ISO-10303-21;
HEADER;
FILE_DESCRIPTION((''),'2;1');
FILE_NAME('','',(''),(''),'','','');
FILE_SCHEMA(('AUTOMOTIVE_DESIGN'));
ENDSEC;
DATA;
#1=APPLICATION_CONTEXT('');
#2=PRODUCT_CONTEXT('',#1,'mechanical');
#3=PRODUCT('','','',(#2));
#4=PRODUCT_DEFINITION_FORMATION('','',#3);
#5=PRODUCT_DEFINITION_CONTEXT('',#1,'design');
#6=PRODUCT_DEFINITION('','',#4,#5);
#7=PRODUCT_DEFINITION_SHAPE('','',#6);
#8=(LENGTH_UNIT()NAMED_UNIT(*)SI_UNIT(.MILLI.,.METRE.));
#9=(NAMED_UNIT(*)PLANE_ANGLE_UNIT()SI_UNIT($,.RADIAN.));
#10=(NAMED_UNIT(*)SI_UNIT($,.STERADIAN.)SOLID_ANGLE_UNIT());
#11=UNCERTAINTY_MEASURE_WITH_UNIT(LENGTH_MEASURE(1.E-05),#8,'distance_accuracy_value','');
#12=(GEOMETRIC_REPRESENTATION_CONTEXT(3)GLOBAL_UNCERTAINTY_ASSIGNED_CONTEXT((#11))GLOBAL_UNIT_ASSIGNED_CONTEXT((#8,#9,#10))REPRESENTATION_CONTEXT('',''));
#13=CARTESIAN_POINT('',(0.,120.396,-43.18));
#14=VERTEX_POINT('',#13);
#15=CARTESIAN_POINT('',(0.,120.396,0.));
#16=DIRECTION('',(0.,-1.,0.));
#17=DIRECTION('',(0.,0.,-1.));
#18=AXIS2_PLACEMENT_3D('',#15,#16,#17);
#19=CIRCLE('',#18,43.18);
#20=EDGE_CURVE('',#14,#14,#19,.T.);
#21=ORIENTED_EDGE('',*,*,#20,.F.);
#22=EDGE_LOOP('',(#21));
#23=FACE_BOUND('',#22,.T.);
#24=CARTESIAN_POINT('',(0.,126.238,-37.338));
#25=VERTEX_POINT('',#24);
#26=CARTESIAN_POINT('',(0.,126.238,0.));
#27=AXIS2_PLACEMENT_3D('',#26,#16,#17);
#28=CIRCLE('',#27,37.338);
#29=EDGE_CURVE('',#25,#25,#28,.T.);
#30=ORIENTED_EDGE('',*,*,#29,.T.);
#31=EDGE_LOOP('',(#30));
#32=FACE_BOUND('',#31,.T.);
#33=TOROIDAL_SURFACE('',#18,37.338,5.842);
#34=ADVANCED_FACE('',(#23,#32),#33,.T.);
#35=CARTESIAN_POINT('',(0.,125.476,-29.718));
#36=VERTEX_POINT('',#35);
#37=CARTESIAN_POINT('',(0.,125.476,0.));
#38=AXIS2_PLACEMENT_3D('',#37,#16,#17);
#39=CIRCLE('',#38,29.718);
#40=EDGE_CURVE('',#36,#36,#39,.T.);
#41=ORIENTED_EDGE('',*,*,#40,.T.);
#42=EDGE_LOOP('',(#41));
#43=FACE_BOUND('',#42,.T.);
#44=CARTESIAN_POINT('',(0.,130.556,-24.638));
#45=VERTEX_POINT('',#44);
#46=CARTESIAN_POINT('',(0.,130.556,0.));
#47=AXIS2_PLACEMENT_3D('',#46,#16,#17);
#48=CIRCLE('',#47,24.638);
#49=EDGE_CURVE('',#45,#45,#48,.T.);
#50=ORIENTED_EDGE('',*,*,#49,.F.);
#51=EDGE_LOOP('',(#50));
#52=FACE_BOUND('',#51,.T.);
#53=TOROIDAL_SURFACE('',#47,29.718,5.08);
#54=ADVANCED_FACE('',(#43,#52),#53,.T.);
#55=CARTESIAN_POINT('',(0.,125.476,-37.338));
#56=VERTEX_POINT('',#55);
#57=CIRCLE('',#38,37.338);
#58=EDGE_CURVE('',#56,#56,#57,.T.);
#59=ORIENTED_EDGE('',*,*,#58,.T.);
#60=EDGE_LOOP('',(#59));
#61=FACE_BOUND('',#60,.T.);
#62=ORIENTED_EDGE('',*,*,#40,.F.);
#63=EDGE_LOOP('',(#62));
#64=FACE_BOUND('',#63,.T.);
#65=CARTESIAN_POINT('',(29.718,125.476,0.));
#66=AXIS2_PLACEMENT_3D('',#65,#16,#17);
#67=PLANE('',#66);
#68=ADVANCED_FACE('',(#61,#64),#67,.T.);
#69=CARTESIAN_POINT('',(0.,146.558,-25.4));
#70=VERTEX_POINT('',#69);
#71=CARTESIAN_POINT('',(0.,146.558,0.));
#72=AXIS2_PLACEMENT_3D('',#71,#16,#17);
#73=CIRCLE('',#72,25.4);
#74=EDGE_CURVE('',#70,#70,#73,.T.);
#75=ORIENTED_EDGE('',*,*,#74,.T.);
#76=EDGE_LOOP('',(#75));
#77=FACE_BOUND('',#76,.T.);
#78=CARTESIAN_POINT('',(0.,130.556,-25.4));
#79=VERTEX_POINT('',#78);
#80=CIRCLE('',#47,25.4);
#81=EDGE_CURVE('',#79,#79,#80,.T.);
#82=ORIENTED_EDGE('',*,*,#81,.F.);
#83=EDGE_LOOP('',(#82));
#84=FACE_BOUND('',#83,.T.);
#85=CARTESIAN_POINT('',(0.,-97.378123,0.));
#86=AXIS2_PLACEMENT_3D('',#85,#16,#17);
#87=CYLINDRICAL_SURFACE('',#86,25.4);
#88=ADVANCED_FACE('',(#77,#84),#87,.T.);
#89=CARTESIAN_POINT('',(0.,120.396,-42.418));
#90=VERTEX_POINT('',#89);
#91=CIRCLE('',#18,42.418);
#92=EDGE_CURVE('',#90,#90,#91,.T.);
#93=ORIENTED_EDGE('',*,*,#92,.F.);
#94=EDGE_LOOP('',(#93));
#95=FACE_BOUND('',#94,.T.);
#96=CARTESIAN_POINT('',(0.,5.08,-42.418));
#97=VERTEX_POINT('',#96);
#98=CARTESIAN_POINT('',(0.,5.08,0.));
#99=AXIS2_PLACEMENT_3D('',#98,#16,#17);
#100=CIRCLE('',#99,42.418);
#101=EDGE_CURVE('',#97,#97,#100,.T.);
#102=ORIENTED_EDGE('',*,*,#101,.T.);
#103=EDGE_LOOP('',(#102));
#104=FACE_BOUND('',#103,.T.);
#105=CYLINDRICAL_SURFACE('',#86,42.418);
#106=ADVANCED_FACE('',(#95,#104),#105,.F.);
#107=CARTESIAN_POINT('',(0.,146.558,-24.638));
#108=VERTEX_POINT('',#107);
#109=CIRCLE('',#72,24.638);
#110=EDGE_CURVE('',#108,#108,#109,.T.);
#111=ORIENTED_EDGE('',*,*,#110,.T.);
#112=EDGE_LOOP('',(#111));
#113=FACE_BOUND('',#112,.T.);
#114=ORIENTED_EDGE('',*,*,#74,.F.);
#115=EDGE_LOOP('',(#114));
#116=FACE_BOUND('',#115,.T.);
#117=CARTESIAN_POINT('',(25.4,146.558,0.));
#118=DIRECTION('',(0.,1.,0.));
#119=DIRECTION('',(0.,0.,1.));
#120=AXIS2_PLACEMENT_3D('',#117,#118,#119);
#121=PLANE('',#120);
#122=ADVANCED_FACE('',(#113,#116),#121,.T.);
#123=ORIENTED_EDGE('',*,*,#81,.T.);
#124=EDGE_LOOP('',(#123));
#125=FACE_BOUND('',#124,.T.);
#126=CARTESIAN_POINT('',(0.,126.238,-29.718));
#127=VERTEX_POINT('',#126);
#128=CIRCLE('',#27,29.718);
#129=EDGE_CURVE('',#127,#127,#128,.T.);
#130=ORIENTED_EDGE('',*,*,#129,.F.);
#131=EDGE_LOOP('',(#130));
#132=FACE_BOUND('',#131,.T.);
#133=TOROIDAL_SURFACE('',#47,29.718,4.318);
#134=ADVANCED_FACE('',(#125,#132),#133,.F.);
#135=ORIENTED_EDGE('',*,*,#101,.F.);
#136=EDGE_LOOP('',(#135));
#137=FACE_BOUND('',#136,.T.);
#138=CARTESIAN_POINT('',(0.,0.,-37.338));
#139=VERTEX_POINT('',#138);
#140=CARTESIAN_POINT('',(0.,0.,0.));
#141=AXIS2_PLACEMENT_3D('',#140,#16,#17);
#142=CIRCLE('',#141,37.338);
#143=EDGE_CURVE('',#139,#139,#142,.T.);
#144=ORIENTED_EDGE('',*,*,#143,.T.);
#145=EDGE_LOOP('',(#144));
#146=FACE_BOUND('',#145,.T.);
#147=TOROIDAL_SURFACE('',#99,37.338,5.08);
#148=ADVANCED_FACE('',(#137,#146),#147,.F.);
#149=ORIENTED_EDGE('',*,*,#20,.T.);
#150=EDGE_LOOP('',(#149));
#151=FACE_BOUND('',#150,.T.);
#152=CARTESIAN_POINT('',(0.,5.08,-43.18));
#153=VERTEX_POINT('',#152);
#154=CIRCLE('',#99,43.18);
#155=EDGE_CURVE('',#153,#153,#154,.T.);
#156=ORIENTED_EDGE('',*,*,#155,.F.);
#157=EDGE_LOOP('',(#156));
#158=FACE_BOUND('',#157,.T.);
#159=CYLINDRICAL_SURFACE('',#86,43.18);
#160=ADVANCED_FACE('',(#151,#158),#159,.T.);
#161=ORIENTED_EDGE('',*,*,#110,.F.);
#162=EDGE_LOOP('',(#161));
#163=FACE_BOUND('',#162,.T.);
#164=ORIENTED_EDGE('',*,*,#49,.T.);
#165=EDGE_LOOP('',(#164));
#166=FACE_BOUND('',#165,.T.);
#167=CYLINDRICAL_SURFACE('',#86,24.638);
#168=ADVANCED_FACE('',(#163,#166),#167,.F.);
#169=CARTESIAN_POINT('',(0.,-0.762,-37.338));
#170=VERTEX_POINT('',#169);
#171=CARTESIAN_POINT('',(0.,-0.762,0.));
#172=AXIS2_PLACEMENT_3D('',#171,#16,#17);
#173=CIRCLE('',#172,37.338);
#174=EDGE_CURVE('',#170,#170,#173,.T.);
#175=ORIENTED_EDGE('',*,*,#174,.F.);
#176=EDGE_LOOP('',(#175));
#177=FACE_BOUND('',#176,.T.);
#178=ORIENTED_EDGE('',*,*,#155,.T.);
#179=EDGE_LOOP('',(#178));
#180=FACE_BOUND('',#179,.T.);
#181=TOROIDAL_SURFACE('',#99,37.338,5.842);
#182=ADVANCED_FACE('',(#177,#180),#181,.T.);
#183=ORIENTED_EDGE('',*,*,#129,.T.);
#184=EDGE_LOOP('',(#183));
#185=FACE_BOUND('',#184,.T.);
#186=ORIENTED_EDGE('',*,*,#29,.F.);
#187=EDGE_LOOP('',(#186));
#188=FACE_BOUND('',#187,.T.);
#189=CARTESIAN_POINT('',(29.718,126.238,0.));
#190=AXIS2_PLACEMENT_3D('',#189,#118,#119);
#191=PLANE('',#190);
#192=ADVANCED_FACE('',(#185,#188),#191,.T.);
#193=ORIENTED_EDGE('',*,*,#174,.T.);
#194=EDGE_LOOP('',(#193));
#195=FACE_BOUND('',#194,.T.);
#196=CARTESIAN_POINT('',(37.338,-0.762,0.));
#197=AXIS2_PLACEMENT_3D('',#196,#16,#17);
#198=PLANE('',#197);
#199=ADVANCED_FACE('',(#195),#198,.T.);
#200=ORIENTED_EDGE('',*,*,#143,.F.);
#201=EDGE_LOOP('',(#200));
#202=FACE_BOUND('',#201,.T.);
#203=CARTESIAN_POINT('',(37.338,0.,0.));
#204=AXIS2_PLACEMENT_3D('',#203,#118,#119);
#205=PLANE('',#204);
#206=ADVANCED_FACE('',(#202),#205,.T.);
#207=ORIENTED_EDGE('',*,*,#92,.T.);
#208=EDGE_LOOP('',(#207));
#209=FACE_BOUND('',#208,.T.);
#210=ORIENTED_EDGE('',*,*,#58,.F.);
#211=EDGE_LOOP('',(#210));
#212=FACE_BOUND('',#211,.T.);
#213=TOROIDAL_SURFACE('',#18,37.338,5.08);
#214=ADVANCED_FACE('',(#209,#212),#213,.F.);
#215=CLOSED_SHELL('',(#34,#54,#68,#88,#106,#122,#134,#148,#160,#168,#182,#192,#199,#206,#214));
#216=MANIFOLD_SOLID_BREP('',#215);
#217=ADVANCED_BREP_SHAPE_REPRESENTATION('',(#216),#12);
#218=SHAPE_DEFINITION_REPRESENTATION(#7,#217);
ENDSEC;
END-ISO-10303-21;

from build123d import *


with BuildPart() as part:
    # Sketch2 → Revolve1 (revolve)
    with BuildSketch(Plane.XY, mode=Mode.PRIVATE) as revolve1_sk:
        with BuildLine():
            Line((24.638, 146.558), (24.638, 130.556))
            ThreePointArc((24.638, 130.556), (26.125897552, 126.963897552), (29.718, 125.476))
            Line((29.718, 125.476), (37.338, 125.476))
            ThreePointArc((37.338, 125.476), (40.930102448, 123.988102448), (42.418, 120.396))
            Line((42.418, 120.396), (42.418, 5.08))
            ThreePointArc((42.418, 5.08), (40.930102448, 1.487897552), (37.338, 0))
            Line((37.338, 0), (0, 0))
            Line((0, 0), (0, -0.762))
            Line((0, -0.762), (37.338, -0.762))
            ThreePointArc((37.338, -0.762), (41.468917816, 0.949082184), (43.18, 5.08))
            Line((43.18, 5.08), (43.18, 120.396))
            ThreePointArc((43.18, 120.396), (41.468917816, 124.526917816), (37.338, 126.238))
            Line((37.338, 126.238), (29.718, 126.238))
            ThreePointArc((29.718, 126.238), (26.664712919, 127.502712919), (25.4, 130.556))
            Line((25.4, 130.556), (25.4, 146.558))
            Line((25.4, 146.558), (24.638, 146.558))
        make_face()
    revolve(revolve1_sk.sketch.rotate(Axis((0, -97.378122646, 0), (0, 1, 0)), 90), axis=Axis((0, -97.378122646, 0), (0, 1, 0)))


solid = part.part
